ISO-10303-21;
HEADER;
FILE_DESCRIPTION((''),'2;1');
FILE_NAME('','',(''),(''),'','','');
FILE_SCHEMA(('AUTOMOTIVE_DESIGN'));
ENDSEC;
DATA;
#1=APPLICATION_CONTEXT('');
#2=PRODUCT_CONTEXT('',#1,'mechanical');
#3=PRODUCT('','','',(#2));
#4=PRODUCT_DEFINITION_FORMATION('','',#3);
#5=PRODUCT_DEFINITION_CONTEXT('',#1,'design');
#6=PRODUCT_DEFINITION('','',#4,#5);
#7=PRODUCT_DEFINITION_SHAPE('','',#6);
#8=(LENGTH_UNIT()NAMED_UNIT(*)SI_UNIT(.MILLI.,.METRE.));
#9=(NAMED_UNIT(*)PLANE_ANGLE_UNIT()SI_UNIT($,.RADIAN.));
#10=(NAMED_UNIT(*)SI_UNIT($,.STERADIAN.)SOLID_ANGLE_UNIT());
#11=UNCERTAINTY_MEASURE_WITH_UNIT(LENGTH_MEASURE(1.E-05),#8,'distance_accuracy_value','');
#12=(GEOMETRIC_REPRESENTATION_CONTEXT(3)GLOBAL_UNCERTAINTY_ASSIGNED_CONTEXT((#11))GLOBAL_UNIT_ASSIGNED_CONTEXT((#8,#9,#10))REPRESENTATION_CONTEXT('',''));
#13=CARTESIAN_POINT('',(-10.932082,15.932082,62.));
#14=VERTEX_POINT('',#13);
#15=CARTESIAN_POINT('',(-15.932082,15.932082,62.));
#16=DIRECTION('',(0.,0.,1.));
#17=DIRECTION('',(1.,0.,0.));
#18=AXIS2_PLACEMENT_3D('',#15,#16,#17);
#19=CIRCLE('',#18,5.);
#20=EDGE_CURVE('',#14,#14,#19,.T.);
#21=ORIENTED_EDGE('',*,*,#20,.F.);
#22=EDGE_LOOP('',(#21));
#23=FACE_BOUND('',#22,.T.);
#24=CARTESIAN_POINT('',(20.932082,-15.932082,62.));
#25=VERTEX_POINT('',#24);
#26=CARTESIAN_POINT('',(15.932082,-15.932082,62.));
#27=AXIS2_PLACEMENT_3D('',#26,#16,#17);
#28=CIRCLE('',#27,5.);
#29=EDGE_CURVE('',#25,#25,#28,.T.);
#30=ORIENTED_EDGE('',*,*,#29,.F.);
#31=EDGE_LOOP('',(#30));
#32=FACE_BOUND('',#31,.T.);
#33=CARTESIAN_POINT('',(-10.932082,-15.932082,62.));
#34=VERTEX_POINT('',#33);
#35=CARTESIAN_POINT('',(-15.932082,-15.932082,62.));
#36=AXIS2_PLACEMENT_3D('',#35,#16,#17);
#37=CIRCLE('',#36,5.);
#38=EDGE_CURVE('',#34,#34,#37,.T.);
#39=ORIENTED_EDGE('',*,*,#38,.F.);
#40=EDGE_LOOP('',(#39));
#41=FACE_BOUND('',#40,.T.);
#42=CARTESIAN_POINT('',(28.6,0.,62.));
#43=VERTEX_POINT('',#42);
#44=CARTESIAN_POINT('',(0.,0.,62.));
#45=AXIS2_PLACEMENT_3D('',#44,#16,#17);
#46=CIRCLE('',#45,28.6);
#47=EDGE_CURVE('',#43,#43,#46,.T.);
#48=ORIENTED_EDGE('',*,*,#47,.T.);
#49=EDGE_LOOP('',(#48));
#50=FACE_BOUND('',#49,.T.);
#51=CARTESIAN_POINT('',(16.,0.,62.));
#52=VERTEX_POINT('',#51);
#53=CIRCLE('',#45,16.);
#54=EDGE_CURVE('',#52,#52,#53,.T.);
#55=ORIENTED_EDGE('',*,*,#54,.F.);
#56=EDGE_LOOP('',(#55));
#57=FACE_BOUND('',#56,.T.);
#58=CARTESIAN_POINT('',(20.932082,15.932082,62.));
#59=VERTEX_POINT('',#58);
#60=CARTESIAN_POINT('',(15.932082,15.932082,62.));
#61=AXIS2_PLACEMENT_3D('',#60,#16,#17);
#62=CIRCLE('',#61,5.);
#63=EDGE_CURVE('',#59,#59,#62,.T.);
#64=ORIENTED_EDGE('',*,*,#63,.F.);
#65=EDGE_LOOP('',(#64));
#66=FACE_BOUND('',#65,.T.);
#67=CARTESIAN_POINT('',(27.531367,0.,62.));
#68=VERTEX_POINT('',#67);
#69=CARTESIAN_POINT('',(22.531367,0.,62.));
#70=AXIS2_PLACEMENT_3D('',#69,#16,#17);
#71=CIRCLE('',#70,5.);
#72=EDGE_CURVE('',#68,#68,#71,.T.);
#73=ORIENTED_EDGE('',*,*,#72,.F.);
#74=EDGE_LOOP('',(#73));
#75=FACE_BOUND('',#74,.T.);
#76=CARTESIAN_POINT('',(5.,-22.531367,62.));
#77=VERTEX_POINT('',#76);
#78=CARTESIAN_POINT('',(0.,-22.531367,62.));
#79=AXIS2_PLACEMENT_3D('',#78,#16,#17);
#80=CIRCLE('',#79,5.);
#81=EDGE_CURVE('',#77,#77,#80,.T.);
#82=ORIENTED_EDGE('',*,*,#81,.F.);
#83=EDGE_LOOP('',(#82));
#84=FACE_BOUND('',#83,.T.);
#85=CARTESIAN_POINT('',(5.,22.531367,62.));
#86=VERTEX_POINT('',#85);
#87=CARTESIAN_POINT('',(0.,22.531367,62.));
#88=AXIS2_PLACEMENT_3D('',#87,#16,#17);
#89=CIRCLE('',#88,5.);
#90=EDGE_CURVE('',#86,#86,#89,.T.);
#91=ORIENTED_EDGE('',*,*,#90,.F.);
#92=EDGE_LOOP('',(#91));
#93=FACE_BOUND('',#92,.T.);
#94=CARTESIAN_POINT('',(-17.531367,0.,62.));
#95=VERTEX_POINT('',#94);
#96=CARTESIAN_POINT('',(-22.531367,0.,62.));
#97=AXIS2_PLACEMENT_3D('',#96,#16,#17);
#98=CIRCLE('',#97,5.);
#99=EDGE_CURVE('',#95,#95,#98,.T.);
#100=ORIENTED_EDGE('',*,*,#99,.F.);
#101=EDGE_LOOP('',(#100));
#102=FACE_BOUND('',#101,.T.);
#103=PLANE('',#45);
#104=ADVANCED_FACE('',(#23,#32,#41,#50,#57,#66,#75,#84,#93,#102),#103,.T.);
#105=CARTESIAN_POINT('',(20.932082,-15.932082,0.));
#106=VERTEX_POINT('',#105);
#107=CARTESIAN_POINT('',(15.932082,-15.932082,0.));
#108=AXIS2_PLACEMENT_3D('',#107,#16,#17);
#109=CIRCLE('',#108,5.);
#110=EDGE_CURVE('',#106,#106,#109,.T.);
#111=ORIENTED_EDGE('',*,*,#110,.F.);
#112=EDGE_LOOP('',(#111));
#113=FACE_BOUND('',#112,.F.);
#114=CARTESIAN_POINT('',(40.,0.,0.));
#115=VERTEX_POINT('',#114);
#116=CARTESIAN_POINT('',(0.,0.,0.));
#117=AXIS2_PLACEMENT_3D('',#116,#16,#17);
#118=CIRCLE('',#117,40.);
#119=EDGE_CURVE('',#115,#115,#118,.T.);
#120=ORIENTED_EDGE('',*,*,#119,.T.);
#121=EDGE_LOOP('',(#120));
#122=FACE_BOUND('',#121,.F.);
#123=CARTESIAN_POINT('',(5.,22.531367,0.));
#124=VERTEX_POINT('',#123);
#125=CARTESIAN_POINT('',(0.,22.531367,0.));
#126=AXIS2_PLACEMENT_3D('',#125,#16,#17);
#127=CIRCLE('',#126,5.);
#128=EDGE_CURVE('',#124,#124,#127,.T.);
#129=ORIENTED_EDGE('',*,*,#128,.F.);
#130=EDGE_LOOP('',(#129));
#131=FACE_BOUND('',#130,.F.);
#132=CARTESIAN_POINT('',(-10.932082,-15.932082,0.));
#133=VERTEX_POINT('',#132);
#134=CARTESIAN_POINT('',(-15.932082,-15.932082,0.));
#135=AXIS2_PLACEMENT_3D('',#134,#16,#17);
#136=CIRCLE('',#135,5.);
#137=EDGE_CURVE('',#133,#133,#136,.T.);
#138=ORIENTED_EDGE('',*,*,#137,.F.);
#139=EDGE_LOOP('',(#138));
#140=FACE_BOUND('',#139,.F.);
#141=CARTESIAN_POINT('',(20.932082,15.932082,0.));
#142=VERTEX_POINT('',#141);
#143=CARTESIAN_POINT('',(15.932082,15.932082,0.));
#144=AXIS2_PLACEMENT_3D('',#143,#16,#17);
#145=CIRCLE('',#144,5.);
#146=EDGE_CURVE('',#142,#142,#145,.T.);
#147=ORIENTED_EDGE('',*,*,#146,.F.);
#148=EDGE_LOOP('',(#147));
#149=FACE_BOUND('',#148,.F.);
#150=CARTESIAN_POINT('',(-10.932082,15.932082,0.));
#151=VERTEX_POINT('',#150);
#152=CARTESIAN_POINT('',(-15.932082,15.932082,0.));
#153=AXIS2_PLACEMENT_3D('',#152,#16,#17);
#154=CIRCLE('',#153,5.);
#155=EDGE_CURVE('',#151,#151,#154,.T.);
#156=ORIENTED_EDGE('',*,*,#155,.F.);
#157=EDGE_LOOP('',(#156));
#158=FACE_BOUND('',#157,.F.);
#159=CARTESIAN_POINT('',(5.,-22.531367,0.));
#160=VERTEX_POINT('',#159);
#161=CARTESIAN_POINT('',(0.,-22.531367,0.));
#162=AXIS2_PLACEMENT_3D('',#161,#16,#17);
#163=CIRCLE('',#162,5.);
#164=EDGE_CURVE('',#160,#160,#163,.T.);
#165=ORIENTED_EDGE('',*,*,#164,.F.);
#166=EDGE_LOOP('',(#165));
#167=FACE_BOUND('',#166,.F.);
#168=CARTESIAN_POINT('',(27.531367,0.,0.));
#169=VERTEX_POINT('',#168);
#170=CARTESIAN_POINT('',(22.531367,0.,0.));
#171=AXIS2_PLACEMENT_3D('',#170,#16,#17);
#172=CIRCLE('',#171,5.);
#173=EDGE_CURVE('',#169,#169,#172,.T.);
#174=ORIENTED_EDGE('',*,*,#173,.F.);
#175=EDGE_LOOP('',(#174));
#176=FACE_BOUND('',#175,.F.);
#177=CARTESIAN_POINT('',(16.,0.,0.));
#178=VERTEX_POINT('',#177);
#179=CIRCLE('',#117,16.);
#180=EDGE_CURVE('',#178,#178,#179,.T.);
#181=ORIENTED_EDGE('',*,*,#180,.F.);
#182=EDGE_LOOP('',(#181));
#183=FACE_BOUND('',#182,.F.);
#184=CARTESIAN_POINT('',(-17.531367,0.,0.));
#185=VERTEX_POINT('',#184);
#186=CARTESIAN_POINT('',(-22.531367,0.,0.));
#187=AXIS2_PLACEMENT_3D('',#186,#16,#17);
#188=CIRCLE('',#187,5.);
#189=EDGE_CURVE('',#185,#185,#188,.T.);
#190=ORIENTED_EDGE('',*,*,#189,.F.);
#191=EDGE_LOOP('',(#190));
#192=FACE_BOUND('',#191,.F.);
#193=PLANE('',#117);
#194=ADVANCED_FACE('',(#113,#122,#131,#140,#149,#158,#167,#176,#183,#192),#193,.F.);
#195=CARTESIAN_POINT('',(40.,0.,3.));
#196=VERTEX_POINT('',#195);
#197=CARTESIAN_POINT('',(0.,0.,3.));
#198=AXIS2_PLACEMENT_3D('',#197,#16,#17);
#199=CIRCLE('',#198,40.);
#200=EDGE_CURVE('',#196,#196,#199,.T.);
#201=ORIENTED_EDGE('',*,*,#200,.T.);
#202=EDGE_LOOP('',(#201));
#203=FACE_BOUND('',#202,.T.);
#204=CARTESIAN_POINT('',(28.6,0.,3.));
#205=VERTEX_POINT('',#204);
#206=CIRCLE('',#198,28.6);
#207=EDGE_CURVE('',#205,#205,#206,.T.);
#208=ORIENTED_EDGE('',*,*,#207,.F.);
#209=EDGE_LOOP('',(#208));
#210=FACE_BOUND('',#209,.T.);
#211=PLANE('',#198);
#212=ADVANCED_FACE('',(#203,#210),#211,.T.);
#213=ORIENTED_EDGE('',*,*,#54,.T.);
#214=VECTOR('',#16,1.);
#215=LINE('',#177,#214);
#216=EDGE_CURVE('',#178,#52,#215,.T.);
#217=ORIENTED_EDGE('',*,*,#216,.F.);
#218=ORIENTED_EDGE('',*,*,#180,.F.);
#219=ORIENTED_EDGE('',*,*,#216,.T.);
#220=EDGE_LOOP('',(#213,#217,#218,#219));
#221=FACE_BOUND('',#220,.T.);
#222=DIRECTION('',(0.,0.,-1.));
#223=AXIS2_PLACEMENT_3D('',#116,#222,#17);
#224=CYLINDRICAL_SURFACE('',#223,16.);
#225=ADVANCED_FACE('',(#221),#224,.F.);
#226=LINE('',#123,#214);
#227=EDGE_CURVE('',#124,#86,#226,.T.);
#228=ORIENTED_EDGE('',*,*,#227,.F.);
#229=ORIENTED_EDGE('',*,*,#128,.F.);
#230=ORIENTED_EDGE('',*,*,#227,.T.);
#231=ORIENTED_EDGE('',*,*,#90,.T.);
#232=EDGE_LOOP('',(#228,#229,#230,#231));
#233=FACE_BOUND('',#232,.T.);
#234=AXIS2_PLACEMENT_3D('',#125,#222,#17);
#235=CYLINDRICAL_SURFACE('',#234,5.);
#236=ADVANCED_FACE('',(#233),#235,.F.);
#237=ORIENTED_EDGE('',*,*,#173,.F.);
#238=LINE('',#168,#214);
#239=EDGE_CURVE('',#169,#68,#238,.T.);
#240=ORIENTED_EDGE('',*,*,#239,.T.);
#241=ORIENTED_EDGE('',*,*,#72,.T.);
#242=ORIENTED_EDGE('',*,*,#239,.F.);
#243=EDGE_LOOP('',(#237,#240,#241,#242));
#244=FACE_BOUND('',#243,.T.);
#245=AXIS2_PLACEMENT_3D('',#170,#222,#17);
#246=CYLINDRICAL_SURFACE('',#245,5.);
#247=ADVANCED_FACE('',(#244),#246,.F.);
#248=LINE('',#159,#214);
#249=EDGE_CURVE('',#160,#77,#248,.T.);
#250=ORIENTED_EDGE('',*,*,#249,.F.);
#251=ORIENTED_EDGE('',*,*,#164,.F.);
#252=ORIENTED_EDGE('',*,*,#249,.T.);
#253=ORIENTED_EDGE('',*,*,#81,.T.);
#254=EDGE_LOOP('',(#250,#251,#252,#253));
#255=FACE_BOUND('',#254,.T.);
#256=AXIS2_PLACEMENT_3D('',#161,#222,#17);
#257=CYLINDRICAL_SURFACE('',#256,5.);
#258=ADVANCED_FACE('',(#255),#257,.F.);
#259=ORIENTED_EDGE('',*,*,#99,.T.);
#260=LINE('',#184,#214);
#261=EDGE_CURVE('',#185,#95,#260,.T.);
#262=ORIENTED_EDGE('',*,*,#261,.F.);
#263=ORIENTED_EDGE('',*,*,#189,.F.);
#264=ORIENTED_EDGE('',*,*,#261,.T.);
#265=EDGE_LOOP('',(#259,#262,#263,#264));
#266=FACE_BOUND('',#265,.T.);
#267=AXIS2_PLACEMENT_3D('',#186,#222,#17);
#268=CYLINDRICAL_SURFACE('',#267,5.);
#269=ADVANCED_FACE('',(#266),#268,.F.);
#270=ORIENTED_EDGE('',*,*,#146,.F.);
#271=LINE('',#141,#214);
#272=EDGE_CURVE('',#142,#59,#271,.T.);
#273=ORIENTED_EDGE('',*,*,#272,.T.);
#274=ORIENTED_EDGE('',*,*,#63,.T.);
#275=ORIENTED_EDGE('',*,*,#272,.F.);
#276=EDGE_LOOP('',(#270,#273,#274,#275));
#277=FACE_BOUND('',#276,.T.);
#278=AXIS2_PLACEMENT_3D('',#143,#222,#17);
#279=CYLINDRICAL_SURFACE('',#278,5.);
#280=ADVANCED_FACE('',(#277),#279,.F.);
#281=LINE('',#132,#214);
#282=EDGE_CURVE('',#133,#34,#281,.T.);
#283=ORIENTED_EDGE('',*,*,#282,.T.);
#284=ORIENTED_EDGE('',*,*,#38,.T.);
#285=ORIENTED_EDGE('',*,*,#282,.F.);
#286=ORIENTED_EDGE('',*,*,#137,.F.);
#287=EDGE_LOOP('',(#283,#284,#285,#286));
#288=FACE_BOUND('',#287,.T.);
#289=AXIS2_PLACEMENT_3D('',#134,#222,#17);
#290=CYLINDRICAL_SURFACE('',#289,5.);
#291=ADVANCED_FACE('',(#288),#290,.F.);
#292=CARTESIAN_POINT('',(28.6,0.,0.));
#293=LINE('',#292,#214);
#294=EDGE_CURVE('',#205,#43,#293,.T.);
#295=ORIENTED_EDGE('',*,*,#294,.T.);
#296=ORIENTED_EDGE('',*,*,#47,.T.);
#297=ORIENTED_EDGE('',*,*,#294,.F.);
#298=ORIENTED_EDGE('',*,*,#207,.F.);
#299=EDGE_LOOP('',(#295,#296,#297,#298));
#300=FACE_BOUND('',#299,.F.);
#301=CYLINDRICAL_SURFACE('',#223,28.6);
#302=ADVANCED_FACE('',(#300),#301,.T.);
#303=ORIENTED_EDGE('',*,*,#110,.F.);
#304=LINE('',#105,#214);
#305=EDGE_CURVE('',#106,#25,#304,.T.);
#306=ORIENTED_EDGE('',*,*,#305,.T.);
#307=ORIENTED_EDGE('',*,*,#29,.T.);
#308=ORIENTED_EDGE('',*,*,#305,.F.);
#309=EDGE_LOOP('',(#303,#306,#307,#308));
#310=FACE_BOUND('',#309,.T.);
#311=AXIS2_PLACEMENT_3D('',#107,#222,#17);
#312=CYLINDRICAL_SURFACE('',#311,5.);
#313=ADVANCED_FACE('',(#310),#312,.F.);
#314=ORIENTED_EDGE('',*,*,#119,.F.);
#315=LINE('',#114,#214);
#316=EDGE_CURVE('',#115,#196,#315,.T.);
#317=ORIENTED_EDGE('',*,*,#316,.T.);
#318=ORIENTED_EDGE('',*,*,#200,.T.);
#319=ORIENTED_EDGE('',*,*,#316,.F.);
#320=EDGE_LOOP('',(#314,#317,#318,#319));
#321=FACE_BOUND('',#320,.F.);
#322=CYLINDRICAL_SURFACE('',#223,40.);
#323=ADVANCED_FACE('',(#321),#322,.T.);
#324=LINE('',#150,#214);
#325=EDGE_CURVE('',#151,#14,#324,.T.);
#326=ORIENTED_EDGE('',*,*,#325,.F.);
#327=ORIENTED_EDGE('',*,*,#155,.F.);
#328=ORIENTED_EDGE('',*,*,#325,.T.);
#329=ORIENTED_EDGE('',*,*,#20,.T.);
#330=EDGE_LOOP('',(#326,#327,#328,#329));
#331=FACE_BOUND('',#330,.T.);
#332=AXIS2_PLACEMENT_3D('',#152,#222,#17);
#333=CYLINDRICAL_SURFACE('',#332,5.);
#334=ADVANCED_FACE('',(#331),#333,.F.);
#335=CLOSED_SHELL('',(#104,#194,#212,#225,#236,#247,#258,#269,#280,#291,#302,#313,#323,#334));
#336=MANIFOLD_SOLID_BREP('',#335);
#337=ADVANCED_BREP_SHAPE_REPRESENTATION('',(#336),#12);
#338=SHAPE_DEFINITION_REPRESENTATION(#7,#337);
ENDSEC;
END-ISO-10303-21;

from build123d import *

# Parameters (mm, degrees)
F0_R     = 40
F0_R_2   = 28.6
F1_DEPTH = 3
F0_R_3   = 5
F0_R_4   = 16
F2_DEPTH = 62


with BuildPart() as f1:
    # F0 (on Top) → F1 (new body)
    with BuildSketch(Plane.XY):
        Circle(F0_R)
        Circle(F0_R_2, mode=Mode.SUBTRACT)
    extrude(amount=F1_DEPTH)

    # F0 (on Top) → F2 (join)
    with BuildSketch(Plane.XY):
        Circle(F0_R_2)
        with Locations((-15.932082, -15.932082)):
            Circle(F0_R_3, mode=Mode.SUBTRACT)
        with Locations((0, -22.531367)):
            Circle(F0_R_3, mode=Mode.SUBTRACT)
        with Locations((15.932082, -15.932082)):
            Circle(F0_R_3, mode=Mode.SUBTRACT)
        with Locations((-22.531367, 0)):
            Circle(F0_R_3, mode=Mode.SUBTRACT)
        with Locations((-15.932082, 15.932082)):
            Circle(F0_R_3, mode=Mode.SUBTRACT)
        Circle(F0_R_4, mode=Mode.SUBTRACT)
        with Locations((15.932082, 15.932082)):
            Circle(F0_R_3, mode=Mode.SUBTRACT)
        with Locations((22.531367, 0)):
            Circle(F0_R_3, mode=Mode.SUBTRACT)
        with Locations((0, 22.531367)):
            Circle(F0_R_3, mode=Mode.SUBTRACT)
    extrude(amount=F2_DEPTH)


solid = f1.part
